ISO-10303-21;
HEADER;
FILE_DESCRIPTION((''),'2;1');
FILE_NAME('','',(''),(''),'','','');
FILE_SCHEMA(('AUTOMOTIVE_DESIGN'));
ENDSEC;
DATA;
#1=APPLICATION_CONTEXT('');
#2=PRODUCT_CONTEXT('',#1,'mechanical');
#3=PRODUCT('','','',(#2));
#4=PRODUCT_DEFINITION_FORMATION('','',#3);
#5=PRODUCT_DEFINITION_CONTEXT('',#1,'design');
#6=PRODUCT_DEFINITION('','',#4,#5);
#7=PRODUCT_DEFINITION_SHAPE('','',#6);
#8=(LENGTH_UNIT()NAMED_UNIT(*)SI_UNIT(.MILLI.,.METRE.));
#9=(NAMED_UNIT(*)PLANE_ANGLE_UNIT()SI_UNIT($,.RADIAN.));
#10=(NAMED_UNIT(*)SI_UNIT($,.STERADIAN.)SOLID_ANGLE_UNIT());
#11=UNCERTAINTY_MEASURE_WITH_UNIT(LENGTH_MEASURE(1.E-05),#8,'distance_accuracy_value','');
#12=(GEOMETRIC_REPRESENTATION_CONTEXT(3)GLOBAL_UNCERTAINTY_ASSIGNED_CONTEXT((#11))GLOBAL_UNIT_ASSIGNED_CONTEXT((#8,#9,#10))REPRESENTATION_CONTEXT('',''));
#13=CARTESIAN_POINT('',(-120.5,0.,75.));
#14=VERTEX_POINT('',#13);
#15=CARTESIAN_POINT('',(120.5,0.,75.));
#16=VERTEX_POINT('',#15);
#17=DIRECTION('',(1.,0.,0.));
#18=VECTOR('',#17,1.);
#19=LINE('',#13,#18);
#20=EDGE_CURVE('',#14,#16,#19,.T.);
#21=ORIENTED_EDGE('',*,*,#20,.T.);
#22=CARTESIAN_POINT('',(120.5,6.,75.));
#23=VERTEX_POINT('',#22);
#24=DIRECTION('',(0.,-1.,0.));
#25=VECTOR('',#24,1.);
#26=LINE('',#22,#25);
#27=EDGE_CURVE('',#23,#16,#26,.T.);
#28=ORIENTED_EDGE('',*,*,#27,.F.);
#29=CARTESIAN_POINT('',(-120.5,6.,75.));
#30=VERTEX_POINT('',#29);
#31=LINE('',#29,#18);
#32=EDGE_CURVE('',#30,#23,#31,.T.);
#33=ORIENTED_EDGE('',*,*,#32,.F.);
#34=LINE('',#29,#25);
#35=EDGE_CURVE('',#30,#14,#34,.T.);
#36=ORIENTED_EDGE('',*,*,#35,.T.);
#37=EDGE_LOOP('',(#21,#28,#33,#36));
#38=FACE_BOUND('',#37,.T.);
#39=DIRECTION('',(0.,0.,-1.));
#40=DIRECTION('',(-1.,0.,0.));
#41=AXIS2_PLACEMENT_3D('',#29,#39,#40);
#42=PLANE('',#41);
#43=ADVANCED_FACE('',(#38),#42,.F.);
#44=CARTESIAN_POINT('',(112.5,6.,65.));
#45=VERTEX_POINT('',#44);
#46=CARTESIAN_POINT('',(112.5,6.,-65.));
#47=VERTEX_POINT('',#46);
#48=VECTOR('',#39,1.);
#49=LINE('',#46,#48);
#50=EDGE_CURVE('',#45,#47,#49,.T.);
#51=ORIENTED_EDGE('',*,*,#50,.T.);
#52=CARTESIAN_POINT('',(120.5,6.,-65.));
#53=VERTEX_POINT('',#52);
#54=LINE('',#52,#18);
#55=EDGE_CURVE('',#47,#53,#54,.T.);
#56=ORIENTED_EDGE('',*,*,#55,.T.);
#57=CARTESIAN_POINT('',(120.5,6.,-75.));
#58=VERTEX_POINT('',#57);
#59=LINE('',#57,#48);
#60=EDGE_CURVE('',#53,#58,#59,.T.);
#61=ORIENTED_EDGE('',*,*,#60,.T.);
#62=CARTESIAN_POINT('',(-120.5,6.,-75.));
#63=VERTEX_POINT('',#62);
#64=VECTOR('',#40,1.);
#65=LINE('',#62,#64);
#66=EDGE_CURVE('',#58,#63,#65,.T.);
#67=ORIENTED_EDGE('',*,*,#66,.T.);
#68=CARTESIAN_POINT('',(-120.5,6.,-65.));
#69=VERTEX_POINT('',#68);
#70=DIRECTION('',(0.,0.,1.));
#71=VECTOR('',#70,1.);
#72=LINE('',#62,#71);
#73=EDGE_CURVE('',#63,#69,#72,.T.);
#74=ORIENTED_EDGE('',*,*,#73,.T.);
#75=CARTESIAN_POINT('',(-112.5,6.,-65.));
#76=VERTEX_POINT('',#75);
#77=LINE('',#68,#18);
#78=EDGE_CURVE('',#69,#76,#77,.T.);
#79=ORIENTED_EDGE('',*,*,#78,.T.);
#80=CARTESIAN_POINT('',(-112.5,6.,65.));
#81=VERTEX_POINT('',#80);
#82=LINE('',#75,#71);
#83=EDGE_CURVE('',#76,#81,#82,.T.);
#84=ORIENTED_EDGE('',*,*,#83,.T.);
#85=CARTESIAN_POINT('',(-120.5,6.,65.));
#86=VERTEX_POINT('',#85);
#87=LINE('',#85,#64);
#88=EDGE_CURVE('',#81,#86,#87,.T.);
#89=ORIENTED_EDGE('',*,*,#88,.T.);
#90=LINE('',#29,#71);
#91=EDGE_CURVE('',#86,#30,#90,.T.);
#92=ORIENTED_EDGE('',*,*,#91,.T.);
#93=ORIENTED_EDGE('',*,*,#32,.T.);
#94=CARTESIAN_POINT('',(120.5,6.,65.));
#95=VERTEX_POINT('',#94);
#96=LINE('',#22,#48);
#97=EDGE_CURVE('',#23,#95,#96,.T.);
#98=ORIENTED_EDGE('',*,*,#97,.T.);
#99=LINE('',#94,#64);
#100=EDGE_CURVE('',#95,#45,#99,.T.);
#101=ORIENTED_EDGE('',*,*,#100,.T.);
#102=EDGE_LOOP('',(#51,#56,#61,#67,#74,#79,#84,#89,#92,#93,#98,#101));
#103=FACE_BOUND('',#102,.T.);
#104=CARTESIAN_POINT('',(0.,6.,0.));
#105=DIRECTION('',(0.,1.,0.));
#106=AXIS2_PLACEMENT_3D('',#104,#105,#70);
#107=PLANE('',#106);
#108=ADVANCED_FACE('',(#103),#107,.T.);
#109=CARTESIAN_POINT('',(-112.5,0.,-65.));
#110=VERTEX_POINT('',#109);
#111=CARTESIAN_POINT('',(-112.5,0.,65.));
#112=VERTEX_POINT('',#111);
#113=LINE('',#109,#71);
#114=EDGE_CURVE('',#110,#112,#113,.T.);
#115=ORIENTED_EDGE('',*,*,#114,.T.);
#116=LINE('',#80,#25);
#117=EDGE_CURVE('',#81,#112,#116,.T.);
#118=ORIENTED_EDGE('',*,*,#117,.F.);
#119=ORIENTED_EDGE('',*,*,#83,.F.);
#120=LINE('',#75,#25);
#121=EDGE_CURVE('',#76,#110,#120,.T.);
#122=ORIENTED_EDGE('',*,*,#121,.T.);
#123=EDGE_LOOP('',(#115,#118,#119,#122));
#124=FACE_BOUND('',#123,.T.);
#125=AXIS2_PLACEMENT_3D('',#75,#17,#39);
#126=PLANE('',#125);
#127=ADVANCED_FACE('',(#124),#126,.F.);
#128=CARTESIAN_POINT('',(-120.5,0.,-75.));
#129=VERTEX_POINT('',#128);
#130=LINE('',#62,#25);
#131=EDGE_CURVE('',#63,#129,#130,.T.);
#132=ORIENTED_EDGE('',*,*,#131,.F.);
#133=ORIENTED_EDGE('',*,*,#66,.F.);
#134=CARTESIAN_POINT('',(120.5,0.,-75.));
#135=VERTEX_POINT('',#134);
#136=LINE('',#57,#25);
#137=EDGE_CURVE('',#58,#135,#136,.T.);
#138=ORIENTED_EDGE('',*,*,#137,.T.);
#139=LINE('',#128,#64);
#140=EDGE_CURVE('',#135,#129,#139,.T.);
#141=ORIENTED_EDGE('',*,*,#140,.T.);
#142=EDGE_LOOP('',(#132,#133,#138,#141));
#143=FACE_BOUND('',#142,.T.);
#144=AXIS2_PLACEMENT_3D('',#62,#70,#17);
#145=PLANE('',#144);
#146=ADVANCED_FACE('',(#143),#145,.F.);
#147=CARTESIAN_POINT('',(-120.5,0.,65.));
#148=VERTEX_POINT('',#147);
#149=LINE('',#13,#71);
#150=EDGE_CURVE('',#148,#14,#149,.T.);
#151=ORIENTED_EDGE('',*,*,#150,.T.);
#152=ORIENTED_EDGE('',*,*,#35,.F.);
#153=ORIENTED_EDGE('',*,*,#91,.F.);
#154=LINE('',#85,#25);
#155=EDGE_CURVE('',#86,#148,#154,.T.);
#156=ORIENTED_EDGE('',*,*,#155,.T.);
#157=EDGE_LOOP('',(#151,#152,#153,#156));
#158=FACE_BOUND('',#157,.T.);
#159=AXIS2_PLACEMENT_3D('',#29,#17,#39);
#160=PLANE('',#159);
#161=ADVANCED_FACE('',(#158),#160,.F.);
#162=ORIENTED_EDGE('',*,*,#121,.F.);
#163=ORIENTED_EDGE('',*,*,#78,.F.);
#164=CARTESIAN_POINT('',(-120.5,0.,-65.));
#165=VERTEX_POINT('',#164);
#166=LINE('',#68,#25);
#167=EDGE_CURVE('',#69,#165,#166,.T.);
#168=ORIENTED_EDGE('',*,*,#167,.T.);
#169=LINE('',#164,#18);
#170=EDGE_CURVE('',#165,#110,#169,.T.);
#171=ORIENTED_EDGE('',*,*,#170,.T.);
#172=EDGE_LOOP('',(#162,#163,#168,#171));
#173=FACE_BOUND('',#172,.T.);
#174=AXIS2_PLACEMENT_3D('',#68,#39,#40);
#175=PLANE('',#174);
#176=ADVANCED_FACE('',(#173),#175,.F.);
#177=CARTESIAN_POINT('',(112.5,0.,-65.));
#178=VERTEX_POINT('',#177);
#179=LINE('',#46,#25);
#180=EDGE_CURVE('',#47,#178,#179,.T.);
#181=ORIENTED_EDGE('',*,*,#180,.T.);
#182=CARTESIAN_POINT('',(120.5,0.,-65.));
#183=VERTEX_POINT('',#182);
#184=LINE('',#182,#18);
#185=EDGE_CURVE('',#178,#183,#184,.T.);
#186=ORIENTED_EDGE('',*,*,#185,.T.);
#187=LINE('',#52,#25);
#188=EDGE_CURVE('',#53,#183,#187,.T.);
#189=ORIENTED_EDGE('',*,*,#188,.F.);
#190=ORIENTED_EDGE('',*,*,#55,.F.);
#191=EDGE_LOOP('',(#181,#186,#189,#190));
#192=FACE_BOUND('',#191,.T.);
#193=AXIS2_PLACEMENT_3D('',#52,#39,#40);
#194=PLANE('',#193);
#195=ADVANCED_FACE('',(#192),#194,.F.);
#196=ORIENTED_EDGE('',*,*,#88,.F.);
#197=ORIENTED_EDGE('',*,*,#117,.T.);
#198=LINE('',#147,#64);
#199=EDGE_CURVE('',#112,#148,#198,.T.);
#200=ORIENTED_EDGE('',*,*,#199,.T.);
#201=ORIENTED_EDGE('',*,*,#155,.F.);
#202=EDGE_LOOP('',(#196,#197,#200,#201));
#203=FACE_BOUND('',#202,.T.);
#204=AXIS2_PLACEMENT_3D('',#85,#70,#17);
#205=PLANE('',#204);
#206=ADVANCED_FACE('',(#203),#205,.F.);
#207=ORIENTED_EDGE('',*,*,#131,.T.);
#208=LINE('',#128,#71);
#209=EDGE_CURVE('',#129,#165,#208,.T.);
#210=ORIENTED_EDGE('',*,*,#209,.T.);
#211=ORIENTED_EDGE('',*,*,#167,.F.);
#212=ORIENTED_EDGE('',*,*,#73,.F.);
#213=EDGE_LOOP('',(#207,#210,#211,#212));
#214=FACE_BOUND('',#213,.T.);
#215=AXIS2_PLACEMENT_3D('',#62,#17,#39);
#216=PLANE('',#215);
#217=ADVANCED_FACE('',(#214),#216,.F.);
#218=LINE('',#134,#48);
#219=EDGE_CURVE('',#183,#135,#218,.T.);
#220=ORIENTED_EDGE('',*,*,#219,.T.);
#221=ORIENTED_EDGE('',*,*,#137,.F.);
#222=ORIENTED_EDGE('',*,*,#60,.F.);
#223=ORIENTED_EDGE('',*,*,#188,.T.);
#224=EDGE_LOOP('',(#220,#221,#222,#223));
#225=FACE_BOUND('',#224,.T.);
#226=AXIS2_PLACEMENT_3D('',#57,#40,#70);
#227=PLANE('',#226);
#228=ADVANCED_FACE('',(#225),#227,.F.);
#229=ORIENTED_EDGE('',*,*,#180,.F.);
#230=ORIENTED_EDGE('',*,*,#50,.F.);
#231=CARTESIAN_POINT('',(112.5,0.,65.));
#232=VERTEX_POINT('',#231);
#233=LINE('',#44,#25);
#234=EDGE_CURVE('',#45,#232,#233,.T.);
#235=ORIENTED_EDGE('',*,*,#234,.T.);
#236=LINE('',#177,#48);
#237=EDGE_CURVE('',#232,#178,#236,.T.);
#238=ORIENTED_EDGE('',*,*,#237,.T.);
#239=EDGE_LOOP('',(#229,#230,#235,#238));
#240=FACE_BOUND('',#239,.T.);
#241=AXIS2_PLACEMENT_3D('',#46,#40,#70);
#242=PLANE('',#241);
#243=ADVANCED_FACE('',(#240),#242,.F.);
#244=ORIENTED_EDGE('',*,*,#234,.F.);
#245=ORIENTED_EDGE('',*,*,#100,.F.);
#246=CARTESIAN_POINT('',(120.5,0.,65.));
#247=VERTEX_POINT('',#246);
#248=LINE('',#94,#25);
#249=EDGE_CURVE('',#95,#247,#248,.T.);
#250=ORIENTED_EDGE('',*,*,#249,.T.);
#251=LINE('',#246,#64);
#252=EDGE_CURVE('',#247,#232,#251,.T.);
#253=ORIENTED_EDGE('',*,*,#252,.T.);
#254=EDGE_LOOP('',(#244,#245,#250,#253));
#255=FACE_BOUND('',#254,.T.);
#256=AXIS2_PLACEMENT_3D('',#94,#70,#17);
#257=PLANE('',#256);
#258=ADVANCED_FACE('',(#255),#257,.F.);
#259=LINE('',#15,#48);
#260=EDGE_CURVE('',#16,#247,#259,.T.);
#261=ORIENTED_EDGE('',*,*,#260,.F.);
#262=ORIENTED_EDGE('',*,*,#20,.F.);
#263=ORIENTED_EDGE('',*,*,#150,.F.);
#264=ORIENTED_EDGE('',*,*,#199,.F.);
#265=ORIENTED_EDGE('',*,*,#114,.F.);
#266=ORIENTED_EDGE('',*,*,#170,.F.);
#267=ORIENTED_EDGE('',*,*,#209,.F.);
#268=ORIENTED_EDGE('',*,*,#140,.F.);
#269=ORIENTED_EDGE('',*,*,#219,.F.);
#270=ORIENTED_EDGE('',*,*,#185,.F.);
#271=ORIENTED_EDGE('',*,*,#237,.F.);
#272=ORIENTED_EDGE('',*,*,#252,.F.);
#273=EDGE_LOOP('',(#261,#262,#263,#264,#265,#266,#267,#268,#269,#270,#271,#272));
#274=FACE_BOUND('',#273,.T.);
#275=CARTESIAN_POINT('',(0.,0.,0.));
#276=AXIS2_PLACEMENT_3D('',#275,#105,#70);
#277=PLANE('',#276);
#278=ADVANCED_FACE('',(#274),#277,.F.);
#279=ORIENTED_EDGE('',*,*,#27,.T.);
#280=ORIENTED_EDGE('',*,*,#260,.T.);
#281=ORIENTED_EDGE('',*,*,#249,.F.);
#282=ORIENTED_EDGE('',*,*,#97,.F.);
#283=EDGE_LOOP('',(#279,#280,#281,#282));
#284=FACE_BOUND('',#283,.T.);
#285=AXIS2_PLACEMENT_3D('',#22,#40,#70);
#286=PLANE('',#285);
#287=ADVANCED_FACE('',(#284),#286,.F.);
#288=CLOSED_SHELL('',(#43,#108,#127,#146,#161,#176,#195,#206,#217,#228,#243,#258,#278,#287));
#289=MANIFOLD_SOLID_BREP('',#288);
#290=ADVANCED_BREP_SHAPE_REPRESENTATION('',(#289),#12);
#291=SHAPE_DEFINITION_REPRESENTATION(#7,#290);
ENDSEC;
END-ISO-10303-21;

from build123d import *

# Parameters (mm, degrees)
BOSS_EXTRUDE1_DEPTH = 6


with BuildPart() as part:
    # Sketch1 → Boss-Extrude1 (new body)
    with BuildSketch(Plane(origin=(0, 0, 0), x_dir=(1, 0, 0), z_dir=(0, 1, 0))):
        Polygon((-120.5, 75), (120.5, 75), (120.5, 65), (112.5, 65), (112.5, -65), (120.5, -65), (120.5, -75), (-120.5, -75), (-120.5, -65), (-112.5, -65), (-112.5, 65), (-120.5, 65), align=None)
    extrude(amount=BOSS_EXTRUDE1_DEPTH)


solid = part.part
